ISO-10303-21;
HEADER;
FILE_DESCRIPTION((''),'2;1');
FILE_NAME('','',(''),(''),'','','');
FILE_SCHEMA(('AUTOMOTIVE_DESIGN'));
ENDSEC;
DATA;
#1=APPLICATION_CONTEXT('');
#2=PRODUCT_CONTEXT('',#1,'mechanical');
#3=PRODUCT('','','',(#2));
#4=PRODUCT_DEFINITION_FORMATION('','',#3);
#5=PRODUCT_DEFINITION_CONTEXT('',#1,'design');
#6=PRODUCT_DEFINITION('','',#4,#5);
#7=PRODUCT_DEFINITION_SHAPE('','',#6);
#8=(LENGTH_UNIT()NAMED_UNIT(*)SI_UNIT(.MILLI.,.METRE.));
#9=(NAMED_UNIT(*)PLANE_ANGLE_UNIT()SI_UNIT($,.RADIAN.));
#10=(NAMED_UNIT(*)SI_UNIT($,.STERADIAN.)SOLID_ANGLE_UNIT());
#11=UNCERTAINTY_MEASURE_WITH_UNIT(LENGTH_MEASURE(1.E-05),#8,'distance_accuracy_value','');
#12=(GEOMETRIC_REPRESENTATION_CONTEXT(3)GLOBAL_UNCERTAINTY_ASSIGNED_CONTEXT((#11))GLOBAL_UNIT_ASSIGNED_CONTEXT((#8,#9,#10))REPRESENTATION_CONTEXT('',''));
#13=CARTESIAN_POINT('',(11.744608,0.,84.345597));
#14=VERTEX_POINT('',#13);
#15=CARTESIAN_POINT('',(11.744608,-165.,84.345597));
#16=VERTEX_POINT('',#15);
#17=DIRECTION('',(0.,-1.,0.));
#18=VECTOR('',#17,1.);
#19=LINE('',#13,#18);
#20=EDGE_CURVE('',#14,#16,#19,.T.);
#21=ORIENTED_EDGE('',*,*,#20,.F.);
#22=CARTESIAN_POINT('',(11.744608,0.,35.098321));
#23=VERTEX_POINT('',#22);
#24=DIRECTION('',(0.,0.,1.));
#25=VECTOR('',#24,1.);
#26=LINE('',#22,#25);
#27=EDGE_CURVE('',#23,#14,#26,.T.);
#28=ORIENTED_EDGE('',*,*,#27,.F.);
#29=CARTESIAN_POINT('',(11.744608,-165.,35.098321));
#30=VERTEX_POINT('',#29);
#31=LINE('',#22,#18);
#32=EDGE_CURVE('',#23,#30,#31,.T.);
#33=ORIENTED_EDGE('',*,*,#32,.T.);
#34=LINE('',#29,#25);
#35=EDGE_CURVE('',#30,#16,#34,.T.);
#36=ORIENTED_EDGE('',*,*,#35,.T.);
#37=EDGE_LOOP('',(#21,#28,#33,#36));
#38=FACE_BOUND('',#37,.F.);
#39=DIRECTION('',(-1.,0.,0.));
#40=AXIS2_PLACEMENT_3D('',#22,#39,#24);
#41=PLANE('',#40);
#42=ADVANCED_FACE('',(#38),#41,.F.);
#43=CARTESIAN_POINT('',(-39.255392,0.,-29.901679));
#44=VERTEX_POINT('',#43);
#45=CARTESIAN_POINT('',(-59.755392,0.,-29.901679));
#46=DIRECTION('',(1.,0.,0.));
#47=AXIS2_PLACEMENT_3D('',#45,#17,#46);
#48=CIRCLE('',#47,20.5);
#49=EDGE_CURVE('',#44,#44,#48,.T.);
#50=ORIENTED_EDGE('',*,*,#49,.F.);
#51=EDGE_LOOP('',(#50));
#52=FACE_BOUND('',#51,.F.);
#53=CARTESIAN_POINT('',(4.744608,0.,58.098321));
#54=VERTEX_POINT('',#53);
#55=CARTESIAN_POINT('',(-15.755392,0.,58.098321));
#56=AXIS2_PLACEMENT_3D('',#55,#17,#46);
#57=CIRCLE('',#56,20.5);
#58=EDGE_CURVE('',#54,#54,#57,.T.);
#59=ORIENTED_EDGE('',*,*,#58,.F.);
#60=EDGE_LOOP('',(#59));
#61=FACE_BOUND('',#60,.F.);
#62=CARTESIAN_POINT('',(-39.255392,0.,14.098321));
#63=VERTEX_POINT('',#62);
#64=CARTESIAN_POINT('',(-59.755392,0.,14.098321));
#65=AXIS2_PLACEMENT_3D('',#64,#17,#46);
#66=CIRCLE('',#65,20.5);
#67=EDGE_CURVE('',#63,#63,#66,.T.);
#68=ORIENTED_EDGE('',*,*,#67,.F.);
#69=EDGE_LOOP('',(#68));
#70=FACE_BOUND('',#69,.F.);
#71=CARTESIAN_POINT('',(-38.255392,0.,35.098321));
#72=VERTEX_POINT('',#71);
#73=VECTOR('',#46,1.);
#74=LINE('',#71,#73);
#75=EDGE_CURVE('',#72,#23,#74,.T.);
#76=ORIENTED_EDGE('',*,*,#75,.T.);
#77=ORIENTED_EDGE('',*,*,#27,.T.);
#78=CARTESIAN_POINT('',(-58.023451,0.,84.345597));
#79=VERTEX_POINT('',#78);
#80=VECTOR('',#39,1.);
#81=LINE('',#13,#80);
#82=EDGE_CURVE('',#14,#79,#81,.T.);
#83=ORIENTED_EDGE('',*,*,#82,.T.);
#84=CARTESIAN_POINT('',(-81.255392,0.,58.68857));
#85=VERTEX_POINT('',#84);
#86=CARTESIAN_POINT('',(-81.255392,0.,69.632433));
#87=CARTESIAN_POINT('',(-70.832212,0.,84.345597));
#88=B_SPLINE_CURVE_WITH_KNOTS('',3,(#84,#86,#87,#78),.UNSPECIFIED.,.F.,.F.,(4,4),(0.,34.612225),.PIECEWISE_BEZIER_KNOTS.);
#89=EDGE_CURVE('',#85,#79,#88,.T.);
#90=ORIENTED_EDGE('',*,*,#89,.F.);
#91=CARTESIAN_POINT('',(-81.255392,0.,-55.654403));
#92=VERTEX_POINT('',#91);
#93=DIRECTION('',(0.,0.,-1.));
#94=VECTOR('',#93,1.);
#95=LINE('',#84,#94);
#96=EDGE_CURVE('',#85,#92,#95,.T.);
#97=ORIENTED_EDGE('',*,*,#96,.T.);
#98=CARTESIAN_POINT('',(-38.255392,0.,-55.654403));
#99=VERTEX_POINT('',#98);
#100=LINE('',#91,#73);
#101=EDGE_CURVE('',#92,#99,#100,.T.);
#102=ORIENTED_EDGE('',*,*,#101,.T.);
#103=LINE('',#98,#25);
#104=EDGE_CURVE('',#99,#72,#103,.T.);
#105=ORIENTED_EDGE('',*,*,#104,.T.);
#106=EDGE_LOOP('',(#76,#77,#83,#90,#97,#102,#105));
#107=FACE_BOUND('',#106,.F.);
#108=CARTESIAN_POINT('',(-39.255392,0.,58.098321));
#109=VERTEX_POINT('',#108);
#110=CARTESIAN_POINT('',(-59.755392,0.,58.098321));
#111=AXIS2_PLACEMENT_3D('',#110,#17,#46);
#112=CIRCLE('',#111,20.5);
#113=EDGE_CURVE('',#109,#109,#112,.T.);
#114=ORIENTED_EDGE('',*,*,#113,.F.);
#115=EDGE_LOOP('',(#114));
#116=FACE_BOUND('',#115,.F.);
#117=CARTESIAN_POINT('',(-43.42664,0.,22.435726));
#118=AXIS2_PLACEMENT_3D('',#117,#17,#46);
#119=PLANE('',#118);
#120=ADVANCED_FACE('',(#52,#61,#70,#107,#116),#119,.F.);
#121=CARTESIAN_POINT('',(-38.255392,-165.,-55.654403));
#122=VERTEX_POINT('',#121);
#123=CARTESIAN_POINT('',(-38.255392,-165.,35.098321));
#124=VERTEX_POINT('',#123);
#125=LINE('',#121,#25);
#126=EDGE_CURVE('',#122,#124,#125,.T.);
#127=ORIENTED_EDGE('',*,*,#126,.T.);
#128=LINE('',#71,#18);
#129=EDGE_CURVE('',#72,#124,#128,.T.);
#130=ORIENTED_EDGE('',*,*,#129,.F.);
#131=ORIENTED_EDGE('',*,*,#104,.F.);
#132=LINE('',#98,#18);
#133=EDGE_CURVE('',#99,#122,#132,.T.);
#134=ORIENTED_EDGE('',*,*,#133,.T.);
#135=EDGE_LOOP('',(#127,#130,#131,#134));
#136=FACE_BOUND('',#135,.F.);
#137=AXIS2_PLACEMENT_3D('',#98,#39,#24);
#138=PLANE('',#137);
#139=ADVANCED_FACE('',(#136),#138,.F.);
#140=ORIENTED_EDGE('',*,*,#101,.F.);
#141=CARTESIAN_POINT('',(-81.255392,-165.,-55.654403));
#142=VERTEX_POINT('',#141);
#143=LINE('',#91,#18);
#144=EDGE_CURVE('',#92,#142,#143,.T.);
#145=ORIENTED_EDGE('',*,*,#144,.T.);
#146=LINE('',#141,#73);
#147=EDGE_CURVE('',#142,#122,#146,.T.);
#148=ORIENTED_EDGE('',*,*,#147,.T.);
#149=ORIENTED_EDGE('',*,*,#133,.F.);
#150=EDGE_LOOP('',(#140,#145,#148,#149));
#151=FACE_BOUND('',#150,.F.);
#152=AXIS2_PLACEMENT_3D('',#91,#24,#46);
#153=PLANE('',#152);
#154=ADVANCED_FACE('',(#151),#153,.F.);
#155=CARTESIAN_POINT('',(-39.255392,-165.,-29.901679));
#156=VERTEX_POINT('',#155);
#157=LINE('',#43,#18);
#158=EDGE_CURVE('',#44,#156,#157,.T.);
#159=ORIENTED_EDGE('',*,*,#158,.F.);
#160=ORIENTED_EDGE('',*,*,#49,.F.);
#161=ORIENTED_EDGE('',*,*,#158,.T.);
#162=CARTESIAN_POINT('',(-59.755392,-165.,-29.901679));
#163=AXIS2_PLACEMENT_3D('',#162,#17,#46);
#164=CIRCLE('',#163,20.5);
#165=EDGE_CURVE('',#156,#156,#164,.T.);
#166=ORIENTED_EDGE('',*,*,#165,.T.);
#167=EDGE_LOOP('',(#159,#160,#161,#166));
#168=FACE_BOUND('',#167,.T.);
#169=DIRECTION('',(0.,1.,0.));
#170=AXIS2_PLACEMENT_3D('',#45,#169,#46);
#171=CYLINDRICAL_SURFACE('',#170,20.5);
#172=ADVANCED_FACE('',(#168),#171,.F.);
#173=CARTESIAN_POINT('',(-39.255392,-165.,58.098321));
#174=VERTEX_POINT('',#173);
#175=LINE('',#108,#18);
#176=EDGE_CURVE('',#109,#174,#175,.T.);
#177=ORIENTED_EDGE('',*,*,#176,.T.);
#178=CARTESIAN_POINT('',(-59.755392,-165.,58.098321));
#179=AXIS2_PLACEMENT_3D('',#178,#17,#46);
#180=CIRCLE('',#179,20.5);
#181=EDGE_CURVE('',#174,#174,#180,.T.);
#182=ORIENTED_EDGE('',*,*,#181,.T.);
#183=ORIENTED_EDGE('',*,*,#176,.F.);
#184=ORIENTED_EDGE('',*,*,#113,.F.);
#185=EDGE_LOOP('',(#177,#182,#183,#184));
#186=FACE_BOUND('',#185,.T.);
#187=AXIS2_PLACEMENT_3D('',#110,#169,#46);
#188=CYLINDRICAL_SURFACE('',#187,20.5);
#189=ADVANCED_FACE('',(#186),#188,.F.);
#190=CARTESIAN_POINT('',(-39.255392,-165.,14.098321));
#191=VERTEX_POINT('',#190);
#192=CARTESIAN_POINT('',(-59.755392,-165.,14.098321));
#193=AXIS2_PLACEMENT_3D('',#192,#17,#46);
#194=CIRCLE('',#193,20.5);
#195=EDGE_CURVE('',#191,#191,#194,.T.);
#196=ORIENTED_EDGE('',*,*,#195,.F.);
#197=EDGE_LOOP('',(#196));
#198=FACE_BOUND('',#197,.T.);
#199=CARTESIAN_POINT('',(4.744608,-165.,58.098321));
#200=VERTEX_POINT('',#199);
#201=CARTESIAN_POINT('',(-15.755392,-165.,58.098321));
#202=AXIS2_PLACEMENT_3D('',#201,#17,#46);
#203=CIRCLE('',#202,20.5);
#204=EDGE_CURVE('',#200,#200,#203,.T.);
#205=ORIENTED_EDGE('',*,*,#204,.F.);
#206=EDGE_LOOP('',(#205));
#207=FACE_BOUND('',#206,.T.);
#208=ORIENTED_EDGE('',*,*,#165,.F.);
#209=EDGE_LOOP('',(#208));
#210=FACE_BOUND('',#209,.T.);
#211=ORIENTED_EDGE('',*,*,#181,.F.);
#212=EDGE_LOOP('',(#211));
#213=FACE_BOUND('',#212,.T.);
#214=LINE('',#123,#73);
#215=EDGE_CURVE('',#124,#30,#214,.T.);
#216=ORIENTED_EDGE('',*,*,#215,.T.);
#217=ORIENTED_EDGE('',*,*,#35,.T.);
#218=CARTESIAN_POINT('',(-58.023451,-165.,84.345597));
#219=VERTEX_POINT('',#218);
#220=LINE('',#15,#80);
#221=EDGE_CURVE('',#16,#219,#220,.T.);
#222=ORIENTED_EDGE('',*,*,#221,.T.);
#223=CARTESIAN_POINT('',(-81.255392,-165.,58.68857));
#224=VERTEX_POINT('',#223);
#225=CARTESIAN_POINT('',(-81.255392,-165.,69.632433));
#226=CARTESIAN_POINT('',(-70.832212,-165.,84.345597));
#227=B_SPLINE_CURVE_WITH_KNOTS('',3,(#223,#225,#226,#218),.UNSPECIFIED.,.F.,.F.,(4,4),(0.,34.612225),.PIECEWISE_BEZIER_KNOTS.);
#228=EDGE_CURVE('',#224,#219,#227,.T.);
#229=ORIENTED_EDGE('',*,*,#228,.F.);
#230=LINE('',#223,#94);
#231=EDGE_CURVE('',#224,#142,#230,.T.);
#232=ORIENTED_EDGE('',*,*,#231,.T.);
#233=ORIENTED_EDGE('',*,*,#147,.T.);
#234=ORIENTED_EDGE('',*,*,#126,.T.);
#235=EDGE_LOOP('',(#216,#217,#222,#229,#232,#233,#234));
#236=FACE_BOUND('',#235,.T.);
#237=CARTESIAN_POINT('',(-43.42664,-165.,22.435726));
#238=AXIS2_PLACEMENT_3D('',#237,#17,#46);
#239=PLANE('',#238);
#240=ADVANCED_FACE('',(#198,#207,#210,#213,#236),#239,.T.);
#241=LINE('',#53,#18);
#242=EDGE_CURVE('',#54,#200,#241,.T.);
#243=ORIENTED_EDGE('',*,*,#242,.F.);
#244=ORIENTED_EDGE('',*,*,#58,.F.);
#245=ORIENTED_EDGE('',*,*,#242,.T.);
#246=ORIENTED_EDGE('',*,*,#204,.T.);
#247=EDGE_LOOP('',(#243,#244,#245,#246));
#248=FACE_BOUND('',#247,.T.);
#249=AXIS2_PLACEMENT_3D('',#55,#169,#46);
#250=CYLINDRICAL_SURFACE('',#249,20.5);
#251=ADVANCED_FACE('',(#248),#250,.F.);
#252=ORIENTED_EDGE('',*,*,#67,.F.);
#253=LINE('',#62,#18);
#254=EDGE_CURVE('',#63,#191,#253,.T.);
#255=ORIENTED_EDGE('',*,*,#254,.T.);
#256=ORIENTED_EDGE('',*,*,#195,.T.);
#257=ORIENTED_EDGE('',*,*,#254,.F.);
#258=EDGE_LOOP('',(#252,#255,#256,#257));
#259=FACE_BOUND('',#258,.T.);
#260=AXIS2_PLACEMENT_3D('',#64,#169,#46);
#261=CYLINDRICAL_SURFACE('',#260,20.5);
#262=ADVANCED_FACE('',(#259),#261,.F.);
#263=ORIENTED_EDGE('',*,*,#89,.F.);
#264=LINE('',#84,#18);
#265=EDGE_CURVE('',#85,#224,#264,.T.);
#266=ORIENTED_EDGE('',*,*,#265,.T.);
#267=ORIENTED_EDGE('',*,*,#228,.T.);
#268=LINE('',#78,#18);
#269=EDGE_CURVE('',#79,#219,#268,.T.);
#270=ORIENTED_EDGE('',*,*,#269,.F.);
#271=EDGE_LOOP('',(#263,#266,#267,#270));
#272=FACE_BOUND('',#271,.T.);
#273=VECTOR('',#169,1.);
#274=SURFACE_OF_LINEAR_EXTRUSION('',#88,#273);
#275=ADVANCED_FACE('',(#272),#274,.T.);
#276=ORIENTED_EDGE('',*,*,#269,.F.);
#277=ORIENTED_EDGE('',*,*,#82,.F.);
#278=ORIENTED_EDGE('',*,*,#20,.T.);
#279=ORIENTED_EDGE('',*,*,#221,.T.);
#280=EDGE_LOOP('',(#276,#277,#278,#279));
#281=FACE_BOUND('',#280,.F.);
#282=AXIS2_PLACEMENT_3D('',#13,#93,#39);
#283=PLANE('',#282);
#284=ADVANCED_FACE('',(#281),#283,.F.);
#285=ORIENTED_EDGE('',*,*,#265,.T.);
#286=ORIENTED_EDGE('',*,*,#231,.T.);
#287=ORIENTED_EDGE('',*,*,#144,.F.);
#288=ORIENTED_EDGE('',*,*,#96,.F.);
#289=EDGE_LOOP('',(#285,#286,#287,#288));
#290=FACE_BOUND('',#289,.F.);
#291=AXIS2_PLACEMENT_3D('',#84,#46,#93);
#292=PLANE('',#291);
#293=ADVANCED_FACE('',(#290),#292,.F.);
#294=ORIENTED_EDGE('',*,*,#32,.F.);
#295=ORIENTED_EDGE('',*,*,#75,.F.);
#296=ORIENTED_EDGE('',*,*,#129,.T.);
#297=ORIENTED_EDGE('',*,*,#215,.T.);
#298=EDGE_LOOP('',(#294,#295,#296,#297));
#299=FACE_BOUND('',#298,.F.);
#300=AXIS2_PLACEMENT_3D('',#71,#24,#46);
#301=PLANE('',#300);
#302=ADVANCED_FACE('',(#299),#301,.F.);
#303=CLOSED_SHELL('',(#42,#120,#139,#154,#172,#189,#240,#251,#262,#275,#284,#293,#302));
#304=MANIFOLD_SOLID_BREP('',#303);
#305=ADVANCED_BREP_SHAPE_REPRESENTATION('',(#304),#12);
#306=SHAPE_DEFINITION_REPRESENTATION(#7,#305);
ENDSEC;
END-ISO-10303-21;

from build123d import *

# Parameters (mm, degrees)
F0_R     = 20.5
F1_DEPTH = 165


with BuildPart() as f1:
    # F0 (on Front) → F1 (new body)
    with BuildSketch(Plane.XZ):
        with BuildLine():
            Line((-81.255392, -55.654403), (-59.755392, -55.654403))
            Line((-59.755392, -55.654403), (-38.255392, -55.654403))
            Line((-38.255392, -55.654403), (-38.255392, 35.098321))
            Line((-38.255392, 35.098321), (11.744608, 35.098321))
            Line((11.744608, 35.098321), (11.744608, 84.345597))
            Line((11.744608, 84.345597), (-58.023451, 84.345597))
            add(Edge.make_bspline(
                [(-81.255392, 58.68857), (-81.255392, 69.632433), (-70.832212, 84.345597), (-58.023451, 84.345597)],
                knots=[0, 0, 0, 0, 34.612225, 34.612225, 34.612225, 34.612225], degree=3))
            Line((-81.255392, 58.68857), (-81.255392, -55.654403))
        make_face()
        with Locations((-59.755392, -29.901679)):
            Circle(F0_R, mode=Mode.SUBTRACT)
        with Locations((-59.755392, 14.098321)):
            Circle(F0_R, mode=Mode.SUBTRACT)
        with Locations((-59.755392, 58.098321)):
            Circle(F0_R, mode=Mode.SUBTRACT)
        with Locations((-15.755392, 58.098321)):
            Circle(F0_R, mode=Mode.SUBTRACT)
    extrude(amount=F1_DEPTH)


solid = f1.part
